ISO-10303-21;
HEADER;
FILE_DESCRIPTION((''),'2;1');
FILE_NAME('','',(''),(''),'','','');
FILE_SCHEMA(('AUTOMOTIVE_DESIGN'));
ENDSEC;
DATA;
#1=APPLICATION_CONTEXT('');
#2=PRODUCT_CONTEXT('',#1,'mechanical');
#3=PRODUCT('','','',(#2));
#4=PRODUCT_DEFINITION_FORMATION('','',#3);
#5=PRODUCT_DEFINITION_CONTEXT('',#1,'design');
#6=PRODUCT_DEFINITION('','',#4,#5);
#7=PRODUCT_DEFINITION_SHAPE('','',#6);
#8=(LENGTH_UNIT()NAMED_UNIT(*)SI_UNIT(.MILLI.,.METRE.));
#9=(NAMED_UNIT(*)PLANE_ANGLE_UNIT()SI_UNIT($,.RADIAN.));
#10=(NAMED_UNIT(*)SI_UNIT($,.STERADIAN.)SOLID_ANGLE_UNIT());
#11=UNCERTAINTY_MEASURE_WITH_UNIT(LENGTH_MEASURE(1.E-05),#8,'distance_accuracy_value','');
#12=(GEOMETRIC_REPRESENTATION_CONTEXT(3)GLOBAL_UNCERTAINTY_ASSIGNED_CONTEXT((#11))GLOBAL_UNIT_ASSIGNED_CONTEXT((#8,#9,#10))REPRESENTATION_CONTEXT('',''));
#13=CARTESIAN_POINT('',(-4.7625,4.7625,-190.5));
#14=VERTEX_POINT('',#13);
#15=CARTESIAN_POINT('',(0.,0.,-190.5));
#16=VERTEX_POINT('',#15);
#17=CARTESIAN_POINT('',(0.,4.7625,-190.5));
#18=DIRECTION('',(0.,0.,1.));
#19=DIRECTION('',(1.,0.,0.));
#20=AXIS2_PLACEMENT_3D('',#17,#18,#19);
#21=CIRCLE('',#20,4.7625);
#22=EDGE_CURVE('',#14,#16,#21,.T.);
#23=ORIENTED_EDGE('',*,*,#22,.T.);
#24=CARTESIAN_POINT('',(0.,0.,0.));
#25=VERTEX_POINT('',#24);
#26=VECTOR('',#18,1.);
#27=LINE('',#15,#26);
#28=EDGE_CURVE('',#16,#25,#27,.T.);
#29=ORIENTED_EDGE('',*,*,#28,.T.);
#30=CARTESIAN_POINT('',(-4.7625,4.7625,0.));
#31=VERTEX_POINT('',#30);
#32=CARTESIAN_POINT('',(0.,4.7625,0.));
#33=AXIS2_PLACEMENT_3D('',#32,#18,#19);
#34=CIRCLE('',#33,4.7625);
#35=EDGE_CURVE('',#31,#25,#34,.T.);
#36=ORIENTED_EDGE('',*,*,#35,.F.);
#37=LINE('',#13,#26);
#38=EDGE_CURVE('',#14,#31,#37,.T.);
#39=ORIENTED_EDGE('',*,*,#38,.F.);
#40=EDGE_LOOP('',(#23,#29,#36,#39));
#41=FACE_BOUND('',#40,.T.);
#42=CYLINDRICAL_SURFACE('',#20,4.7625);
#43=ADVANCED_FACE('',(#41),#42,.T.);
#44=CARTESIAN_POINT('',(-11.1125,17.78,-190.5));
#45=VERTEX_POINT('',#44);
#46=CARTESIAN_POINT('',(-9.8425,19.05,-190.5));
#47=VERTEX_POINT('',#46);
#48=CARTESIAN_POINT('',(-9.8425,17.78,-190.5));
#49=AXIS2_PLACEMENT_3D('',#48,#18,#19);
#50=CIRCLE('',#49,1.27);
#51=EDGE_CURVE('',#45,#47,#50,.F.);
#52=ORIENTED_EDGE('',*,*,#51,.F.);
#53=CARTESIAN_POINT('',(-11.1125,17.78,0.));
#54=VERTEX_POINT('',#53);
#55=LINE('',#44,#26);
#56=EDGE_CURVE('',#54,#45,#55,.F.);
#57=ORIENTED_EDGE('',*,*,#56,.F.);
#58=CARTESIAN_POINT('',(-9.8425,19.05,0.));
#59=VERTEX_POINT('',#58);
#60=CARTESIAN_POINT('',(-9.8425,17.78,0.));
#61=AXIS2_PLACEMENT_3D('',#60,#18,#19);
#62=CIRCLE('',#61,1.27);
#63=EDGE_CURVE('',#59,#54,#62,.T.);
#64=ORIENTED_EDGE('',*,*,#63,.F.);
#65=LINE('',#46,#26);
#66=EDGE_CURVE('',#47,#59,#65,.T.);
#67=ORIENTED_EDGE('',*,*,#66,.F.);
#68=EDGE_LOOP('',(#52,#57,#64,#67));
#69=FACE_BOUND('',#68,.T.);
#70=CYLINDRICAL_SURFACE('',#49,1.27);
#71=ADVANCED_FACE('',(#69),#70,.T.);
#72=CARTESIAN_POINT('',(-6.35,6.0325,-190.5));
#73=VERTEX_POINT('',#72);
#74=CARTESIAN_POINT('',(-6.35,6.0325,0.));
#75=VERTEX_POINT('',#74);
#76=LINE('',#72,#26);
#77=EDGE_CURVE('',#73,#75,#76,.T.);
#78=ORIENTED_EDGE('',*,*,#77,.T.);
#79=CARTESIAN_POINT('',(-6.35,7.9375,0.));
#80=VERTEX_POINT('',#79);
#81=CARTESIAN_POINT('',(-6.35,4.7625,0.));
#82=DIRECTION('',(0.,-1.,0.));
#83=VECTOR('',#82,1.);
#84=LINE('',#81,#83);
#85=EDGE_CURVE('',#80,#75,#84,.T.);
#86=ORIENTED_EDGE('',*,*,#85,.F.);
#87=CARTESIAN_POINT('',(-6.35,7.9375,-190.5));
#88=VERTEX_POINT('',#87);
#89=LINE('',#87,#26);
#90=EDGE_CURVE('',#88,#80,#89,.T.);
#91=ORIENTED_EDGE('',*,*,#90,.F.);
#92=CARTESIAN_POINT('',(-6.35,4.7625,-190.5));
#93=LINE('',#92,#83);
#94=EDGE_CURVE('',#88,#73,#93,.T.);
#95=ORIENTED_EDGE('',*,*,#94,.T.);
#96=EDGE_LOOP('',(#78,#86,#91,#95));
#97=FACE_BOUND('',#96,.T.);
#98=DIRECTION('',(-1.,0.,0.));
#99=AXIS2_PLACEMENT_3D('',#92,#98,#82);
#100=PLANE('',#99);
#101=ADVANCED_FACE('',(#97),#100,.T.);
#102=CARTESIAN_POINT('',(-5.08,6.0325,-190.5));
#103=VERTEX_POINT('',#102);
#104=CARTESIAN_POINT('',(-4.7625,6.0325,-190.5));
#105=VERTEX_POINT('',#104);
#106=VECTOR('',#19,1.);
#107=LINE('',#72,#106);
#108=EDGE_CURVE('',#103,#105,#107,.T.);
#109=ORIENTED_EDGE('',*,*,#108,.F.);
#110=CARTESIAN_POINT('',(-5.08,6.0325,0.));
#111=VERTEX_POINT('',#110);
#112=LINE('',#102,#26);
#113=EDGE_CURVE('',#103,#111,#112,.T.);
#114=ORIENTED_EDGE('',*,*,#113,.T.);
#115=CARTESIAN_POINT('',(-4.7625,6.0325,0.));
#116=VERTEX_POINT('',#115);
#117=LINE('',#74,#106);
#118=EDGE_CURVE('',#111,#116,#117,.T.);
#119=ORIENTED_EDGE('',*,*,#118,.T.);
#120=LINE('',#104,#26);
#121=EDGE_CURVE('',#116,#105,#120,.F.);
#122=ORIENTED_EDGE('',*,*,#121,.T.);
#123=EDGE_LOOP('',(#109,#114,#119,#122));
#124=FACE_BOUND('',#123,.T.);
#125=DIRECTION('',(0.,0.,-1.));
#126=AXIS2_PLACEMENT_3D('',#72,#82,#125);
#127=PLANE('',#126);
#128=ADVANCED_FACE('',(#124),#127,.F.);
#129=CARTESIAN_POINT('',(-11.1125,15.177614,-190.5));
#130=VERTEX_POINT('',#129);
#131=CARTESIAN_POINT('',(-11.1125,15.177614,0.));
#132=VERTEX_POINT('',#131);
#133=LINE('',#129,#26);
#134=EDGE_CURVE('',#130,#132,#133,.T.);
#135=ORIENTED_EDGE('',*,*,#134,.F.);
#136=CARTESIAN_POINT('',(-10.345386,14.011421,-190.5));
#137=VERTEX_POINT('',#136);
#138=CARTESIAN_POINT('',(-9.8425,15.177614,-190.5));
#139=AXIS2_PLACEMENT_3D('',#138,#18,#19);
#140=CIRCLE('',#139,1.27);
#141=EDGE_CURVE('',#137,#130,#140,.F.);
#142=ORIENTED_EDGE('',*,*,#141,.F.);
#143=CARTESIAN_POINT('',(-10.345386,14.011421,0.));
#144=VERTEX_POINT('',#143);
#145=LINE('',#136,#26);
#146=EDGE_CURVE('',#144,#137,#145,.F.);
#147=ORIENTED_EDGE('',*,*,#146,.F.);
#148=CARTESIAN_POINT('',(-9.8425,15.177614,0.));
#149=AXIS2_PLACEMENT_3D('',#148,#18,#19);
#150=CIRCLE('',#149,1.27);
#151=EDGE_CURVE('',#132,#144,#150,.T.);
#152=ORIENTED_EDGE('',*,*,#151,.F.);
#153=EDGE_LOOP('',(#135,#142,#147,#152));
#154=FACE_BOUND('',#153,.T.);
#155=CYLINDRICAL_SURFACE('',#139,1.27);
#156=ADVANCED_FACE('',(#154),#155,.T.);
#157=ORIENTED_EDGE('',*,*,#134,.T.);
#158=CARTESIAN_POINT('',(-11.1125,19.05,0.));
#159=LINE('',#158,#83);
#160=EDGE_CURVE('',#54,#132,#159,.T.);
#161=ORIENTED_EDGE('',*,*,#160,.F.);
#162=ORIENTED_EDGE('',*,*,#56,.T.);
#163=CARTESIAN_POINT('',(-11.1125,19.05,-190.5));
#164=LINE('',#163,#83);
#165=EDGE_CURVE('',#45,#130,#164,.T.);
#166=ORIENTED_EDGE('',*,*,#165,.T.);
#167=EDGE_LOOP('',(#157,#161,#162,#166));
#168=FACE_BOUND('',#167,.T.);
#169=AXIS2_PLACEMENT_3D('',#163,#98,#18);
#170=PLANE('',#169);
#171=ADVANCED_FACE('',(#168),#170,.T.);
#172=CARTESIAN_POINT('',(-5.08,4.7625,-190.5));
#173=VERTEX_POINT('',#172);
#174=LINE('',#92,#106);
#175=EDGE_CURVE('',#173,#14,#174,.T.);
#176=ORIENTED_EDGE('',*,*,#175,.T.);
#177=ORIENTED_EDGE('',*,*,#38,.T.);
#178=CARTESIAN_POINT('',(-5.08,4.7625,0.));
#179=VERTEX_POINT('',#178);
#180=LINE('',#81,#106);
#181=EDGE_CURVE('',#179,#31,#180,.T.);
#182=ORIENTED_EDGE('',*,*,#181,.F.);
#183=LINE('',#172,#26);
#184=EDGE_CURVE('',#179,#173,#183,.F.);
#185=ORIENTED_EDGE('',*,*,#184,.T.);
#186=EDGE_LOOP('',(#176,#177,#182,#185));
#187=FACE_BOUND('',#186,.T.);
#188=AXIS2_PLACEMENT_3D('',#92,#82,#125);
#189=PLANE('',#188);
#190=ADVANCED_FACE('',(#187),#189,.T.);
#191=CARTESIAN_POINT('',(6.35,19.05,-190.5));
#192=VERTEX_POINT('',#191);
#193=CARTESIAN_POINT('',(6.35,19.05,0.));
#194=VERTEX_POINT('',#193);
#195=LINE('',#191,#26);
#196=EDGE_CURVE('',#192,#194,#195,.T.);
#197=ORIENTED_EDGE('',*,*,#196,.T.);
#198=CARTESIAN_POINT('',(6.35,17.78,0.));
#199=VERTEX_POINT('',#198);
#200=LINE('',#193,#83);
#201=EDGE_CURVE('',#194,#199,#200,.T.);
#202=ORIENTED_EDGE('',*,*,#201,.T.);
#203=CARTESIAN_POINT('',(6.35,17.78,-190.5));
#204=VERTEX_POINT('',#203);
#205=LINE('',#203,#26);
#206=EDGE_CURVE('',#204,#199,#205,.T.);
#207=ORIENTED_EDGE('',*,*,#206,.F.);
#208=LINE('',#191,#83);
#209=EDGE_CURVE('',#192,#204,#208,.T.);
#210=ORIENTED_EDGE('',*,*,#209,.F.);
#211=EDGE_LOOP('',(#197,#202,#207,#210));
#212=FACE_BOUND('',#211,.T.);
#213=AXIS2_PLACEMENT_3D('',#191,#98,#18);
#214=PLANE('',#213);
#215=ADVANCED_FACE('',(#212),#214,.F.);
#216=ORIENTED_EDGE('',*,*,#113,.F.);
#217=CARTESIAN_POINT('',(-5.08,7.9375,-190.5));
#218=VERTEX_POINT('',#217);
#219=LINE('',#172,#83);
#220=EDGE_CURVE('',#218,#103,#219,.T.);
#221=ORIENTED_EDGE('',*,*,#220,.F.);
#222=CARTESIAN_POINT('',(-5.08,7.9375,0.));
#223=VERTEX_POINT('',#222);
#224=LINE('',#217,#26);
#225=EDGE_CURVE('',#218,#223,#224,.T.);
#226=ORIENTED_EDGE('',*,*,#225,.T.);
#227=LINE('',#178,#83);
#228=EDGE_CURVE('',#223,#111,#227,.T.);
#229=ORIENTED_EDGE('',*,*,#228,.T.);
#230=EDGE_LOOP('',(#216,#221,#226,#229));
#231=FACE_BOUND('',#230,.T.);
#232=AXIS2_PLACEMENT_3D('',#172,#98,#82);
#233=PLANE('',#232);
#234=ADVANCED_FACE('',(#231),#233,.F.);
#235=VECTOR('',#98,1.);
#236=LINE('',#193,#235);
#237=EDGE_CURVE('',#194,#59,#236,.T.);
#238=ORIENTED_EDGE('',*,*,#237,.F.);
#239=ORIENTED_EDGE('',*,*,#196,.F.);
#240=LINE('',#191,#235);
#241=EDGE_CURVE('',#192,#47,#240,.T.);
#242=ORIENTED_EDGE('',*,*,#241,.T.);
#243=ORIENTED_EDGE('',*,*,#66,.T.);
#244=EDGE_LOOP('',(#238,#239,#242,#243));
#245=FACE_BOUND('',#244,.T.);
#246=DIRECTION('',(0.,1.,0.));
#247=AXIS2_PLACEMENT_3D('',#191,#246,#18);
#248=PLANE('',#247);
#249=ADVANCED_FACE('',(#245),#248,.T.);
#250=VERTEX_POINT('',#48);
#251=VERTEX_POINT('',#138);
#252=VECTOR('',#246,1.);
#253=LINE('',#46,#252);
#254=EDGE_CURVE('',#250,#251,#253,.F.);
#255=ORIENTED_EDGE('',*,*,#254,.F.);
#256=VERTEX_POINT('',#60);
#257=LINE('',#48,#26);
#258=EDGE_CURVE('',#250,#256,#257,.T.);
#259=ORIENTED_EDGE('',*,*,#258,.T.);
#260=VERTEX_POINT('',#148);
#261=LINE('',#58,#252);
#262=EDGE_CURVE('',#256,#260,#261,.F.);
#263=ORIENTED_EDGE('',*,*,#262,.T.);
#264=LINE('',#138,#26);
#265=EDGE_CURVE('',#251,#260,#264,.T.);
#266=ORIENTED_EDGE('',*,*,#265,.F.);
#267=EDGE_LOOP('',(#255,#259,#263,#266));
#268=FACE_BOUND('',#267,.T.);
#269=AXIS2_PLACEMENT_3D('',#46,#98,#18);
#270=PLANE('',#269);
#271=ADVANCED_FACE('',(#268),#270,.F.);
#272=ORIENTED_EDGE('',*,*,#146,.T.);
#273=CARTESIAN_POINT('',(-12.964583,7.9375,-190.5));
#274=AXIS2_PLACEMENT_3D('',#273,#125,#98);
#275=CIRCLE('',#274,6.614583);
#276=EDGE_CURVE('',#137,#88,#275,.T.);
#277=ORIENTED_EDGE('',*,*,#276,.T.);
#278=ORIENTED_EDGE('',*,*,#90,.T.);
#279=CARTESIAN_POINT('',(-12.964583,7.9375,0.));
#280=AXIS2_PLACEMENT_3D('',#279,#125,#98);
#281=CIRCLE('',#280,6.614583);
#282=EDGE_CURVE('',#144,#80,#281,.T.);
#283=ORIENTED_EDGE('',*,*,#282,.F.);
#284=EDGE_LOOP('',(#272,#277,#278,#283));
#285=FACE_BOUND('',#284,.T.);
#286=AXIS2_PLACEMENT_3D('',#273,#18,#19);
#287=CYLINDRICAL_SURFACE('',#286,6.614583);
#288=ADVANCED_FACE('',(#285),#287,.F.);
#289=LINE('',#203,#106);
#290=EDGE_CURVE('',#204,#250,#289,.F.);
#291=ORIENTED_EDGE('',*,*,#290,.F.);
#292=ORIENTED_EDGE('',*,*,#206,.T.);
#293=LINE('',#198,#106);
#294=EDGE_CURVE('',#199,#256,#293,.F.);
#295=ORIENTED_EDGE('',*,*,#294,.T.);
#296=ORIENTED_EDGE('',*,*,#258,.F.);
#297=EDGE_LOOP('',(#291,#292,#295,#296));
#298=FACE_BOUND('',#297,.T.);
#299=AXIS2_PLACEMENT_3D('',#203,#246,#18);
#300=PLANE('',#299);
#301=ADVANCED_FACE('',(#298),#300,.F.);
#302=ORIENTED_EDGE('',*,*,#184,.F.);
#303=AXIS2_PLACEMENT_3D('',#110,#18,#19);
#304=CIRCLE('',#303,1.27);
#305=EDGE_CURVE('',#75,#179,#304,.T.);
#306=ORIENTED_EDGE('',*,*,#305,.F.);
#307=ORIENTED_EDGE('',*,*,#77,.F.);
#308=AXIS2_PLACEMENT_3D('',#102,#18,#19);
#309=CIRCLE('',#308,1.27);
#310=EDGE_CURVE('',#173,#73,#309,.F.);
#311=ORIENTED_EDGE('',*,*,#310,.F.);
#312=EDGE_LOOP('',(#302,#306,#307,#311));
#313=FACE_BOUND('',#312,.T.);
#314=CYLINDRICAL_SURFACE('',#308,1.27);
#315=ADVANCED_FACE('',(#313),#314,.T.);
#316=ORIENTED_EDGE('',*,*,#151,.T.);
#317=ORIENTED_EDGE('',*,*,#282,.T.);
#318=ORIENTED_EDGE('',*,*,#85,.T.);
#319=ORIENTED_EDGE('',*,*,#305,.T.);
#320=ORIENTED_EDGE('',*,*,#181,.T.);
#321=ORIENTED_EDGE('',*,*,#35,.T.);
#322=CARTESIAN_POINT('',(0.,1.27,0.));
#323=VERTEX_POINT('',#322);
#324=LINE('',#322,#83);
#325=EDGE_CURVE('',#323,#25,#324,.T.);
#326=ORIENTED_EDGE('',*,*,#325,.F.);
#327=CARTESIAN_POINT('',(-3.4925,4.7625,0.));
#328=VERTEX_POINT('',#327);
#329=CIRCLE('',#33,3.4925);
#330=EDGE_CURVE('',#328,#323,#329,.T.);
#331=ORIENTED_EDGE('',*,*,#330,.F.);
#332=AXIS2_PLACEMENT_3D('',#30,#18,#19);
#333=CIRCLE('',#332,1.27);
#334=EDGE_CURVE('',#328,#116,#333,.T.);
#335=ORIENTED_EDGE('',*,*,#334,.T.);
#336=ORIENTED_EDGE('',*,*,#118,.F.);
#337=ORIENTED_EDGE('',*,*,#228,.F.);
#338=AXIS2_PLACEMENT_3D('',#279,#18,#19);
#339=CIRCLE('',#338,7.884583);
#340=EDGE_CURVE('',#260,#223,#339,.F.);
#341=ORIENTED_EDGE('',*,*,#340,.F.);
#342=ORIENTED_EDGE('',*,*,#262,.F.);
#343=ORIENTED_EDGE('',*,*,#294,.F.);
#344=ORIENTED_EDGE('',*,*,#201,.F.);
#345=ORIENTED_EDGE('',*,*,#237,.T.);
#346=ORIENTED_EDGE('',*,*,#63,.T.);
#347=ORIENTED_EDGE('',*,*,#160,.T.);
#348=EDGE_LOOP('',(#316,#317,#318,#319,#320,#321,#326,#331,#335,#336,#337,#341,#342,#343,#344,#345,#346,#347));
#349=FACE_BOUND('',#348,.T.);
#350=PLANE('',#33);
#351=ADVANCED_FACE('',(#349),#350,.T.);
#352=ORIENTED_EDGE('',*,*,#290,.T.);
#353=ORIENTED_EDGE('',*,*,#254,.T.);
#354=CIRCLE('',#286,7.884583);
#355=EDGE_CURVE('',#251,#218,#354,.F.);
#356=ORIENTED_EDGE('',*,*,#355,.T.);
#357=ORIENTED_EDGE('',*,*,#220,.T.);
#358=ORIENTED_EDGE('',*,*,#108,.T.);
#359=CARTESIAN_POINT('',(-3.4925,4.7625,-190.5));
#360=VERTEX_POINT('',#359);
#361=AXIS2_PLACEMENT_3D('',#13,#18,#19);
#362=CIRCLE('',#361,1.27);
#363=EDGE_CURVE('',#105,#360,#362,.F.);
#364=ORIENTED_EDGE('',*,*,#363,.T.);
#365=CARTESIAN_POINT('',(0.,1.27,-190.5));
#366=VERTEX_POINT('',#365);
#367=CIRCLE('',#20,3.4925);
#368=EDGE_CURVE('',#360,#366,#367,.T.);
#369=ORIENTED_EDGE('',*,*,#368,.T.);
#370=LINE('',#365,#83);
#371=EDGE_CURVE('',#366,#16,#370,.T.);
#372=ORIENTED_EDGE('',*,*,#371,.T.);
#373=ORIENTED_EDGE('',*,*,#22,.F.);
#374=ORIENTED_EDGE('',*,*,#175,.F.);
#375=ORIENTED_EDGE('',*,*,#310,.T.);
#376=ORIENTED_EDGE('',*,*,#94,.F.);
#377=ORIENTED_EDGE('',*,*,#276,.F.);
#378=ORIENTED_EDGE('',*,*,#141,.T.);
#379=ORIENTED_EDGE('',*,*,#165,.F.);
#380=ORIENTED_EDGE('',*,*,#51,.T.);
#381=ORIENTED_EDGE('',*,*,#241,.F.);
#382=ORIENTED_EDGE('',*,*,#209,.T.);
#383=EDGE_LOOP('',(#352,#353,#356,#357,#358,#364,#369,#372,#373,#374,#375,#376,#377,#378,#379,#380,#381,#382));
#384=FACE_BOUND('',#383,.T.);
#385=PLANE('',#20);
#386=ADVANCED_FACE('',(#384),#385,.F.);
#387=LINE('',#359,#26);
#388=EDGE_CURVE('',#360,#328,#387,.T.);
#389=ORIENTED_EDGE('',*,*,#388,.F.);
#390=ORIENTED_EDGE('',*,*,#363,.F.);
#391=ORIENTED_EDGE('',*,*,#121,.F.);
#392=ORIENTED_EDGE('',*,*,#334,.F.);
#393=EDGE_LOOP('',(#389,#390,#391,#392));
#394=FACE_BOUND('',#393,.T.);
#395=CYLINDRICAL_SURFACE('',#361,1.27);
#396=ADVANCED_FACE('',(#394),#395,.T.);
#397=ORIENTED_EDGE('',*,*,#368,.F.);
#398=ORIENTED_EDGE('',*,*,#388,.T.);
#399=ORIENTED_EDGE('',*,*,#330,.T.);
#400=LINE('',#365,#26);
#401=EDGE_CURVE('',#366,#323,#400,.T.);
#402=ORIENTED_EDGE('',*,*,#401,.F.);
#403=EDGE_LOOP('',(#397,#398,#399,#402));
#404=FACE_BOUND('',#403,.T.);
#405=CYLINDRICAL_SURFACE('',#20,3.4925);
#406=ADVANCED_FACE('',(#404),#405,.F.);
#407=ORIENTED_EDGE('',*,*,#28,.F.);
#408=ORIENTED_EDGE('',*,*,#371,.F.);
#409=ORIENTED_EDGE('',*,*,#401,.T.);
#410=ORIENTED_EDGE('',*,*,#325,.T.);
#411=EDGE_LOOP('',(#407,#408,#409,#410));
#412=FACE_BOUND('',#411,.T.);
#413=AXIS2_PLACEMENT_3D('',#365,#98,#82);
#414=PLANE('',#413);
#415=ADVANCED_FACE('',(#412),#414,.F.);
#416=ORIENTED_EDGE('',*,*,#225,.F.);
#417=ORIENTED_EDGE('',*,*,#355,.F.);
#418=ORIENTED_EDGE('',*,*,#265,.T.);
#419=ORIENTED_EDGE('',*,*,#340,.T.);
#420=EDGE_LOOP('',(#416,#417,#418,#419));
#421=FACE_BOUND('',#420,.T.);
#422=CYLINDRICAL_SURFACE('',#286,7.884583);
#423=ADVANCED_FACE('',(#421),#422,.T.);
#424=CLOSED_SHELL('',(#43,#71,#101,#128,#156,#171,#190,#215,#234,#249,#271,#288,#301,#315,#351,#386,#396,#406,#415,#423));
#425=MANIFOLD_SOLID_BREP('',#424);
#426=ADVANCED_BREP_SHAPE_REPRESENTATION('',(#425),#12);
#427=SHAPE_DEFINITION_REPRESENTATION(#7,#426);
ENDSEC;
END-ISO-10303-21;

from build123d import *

# Parameters (mm, degrees)
EXTRUDE_THIN1_DEPTH = 190.5
FILLET1_R           = 1.27


with BuildPart() as part:
    # Sketch1 → Extrude-Thin1 (new body)
    with BuildSketch(Plane.XY):
        with BuildLine():
            Line((6.35, 19.05), (-11.1125, 19.05))
            Line((-11.1125, 19.05), (-11.1125, 14.2875))
            ThreePointArc((-11.1125, 14.2875), (-7.672916667, 11.90625), (-6.35, 7.9375))
            Line((-6.35, 7.9375), (-6.35, 4.7625))
            Line((-6.35, 4.7625), (-4.7625, 4.7625))
            ThreePointArc((-4.7625, 4.7625), (-3.367596045, 1.394903955), (0, 0))
            Line((0, 0), (0, 1.27))
            ThreePointArc((0, 1.27), (-2.883836962, 2.792464309), (-3.253406868, 6.0325))
            Line((-3.253406868, 6.0325), (-5.08, 6.0325))
            Line((-5.08, 6.0325), (-5.08, 7.9375))
            ThreePointArc((-5.08, 7.9375), (-6.377361591, 12.27053174), (-9.8425, 15.177613949))
            Line((-9.8425, 15.177613949), (-9.8425, 17.78))
            Line((-9.8425, 17.78), (6.35, 17.78))
            Line((6.35, 17.78), (6.35, 19.05))
        make_face()
    extrude(amount=-EXTRUDE_THIN1_DEPTH)

    # Fillet1
    fillet1_edges = [part.edges().sort_by_distance(p)[0] for p in [
        (-6.35, 4.7625, -95.25),
        (-11.1125, 14.2875, -95.25),
        (-11.1125, 19.05, -95.25),
        (-3.253406868, 6.0325, -95.25),
    ]]
    fillet(fillet1_edges, radius=FILLET1_R)


solid = part.part
